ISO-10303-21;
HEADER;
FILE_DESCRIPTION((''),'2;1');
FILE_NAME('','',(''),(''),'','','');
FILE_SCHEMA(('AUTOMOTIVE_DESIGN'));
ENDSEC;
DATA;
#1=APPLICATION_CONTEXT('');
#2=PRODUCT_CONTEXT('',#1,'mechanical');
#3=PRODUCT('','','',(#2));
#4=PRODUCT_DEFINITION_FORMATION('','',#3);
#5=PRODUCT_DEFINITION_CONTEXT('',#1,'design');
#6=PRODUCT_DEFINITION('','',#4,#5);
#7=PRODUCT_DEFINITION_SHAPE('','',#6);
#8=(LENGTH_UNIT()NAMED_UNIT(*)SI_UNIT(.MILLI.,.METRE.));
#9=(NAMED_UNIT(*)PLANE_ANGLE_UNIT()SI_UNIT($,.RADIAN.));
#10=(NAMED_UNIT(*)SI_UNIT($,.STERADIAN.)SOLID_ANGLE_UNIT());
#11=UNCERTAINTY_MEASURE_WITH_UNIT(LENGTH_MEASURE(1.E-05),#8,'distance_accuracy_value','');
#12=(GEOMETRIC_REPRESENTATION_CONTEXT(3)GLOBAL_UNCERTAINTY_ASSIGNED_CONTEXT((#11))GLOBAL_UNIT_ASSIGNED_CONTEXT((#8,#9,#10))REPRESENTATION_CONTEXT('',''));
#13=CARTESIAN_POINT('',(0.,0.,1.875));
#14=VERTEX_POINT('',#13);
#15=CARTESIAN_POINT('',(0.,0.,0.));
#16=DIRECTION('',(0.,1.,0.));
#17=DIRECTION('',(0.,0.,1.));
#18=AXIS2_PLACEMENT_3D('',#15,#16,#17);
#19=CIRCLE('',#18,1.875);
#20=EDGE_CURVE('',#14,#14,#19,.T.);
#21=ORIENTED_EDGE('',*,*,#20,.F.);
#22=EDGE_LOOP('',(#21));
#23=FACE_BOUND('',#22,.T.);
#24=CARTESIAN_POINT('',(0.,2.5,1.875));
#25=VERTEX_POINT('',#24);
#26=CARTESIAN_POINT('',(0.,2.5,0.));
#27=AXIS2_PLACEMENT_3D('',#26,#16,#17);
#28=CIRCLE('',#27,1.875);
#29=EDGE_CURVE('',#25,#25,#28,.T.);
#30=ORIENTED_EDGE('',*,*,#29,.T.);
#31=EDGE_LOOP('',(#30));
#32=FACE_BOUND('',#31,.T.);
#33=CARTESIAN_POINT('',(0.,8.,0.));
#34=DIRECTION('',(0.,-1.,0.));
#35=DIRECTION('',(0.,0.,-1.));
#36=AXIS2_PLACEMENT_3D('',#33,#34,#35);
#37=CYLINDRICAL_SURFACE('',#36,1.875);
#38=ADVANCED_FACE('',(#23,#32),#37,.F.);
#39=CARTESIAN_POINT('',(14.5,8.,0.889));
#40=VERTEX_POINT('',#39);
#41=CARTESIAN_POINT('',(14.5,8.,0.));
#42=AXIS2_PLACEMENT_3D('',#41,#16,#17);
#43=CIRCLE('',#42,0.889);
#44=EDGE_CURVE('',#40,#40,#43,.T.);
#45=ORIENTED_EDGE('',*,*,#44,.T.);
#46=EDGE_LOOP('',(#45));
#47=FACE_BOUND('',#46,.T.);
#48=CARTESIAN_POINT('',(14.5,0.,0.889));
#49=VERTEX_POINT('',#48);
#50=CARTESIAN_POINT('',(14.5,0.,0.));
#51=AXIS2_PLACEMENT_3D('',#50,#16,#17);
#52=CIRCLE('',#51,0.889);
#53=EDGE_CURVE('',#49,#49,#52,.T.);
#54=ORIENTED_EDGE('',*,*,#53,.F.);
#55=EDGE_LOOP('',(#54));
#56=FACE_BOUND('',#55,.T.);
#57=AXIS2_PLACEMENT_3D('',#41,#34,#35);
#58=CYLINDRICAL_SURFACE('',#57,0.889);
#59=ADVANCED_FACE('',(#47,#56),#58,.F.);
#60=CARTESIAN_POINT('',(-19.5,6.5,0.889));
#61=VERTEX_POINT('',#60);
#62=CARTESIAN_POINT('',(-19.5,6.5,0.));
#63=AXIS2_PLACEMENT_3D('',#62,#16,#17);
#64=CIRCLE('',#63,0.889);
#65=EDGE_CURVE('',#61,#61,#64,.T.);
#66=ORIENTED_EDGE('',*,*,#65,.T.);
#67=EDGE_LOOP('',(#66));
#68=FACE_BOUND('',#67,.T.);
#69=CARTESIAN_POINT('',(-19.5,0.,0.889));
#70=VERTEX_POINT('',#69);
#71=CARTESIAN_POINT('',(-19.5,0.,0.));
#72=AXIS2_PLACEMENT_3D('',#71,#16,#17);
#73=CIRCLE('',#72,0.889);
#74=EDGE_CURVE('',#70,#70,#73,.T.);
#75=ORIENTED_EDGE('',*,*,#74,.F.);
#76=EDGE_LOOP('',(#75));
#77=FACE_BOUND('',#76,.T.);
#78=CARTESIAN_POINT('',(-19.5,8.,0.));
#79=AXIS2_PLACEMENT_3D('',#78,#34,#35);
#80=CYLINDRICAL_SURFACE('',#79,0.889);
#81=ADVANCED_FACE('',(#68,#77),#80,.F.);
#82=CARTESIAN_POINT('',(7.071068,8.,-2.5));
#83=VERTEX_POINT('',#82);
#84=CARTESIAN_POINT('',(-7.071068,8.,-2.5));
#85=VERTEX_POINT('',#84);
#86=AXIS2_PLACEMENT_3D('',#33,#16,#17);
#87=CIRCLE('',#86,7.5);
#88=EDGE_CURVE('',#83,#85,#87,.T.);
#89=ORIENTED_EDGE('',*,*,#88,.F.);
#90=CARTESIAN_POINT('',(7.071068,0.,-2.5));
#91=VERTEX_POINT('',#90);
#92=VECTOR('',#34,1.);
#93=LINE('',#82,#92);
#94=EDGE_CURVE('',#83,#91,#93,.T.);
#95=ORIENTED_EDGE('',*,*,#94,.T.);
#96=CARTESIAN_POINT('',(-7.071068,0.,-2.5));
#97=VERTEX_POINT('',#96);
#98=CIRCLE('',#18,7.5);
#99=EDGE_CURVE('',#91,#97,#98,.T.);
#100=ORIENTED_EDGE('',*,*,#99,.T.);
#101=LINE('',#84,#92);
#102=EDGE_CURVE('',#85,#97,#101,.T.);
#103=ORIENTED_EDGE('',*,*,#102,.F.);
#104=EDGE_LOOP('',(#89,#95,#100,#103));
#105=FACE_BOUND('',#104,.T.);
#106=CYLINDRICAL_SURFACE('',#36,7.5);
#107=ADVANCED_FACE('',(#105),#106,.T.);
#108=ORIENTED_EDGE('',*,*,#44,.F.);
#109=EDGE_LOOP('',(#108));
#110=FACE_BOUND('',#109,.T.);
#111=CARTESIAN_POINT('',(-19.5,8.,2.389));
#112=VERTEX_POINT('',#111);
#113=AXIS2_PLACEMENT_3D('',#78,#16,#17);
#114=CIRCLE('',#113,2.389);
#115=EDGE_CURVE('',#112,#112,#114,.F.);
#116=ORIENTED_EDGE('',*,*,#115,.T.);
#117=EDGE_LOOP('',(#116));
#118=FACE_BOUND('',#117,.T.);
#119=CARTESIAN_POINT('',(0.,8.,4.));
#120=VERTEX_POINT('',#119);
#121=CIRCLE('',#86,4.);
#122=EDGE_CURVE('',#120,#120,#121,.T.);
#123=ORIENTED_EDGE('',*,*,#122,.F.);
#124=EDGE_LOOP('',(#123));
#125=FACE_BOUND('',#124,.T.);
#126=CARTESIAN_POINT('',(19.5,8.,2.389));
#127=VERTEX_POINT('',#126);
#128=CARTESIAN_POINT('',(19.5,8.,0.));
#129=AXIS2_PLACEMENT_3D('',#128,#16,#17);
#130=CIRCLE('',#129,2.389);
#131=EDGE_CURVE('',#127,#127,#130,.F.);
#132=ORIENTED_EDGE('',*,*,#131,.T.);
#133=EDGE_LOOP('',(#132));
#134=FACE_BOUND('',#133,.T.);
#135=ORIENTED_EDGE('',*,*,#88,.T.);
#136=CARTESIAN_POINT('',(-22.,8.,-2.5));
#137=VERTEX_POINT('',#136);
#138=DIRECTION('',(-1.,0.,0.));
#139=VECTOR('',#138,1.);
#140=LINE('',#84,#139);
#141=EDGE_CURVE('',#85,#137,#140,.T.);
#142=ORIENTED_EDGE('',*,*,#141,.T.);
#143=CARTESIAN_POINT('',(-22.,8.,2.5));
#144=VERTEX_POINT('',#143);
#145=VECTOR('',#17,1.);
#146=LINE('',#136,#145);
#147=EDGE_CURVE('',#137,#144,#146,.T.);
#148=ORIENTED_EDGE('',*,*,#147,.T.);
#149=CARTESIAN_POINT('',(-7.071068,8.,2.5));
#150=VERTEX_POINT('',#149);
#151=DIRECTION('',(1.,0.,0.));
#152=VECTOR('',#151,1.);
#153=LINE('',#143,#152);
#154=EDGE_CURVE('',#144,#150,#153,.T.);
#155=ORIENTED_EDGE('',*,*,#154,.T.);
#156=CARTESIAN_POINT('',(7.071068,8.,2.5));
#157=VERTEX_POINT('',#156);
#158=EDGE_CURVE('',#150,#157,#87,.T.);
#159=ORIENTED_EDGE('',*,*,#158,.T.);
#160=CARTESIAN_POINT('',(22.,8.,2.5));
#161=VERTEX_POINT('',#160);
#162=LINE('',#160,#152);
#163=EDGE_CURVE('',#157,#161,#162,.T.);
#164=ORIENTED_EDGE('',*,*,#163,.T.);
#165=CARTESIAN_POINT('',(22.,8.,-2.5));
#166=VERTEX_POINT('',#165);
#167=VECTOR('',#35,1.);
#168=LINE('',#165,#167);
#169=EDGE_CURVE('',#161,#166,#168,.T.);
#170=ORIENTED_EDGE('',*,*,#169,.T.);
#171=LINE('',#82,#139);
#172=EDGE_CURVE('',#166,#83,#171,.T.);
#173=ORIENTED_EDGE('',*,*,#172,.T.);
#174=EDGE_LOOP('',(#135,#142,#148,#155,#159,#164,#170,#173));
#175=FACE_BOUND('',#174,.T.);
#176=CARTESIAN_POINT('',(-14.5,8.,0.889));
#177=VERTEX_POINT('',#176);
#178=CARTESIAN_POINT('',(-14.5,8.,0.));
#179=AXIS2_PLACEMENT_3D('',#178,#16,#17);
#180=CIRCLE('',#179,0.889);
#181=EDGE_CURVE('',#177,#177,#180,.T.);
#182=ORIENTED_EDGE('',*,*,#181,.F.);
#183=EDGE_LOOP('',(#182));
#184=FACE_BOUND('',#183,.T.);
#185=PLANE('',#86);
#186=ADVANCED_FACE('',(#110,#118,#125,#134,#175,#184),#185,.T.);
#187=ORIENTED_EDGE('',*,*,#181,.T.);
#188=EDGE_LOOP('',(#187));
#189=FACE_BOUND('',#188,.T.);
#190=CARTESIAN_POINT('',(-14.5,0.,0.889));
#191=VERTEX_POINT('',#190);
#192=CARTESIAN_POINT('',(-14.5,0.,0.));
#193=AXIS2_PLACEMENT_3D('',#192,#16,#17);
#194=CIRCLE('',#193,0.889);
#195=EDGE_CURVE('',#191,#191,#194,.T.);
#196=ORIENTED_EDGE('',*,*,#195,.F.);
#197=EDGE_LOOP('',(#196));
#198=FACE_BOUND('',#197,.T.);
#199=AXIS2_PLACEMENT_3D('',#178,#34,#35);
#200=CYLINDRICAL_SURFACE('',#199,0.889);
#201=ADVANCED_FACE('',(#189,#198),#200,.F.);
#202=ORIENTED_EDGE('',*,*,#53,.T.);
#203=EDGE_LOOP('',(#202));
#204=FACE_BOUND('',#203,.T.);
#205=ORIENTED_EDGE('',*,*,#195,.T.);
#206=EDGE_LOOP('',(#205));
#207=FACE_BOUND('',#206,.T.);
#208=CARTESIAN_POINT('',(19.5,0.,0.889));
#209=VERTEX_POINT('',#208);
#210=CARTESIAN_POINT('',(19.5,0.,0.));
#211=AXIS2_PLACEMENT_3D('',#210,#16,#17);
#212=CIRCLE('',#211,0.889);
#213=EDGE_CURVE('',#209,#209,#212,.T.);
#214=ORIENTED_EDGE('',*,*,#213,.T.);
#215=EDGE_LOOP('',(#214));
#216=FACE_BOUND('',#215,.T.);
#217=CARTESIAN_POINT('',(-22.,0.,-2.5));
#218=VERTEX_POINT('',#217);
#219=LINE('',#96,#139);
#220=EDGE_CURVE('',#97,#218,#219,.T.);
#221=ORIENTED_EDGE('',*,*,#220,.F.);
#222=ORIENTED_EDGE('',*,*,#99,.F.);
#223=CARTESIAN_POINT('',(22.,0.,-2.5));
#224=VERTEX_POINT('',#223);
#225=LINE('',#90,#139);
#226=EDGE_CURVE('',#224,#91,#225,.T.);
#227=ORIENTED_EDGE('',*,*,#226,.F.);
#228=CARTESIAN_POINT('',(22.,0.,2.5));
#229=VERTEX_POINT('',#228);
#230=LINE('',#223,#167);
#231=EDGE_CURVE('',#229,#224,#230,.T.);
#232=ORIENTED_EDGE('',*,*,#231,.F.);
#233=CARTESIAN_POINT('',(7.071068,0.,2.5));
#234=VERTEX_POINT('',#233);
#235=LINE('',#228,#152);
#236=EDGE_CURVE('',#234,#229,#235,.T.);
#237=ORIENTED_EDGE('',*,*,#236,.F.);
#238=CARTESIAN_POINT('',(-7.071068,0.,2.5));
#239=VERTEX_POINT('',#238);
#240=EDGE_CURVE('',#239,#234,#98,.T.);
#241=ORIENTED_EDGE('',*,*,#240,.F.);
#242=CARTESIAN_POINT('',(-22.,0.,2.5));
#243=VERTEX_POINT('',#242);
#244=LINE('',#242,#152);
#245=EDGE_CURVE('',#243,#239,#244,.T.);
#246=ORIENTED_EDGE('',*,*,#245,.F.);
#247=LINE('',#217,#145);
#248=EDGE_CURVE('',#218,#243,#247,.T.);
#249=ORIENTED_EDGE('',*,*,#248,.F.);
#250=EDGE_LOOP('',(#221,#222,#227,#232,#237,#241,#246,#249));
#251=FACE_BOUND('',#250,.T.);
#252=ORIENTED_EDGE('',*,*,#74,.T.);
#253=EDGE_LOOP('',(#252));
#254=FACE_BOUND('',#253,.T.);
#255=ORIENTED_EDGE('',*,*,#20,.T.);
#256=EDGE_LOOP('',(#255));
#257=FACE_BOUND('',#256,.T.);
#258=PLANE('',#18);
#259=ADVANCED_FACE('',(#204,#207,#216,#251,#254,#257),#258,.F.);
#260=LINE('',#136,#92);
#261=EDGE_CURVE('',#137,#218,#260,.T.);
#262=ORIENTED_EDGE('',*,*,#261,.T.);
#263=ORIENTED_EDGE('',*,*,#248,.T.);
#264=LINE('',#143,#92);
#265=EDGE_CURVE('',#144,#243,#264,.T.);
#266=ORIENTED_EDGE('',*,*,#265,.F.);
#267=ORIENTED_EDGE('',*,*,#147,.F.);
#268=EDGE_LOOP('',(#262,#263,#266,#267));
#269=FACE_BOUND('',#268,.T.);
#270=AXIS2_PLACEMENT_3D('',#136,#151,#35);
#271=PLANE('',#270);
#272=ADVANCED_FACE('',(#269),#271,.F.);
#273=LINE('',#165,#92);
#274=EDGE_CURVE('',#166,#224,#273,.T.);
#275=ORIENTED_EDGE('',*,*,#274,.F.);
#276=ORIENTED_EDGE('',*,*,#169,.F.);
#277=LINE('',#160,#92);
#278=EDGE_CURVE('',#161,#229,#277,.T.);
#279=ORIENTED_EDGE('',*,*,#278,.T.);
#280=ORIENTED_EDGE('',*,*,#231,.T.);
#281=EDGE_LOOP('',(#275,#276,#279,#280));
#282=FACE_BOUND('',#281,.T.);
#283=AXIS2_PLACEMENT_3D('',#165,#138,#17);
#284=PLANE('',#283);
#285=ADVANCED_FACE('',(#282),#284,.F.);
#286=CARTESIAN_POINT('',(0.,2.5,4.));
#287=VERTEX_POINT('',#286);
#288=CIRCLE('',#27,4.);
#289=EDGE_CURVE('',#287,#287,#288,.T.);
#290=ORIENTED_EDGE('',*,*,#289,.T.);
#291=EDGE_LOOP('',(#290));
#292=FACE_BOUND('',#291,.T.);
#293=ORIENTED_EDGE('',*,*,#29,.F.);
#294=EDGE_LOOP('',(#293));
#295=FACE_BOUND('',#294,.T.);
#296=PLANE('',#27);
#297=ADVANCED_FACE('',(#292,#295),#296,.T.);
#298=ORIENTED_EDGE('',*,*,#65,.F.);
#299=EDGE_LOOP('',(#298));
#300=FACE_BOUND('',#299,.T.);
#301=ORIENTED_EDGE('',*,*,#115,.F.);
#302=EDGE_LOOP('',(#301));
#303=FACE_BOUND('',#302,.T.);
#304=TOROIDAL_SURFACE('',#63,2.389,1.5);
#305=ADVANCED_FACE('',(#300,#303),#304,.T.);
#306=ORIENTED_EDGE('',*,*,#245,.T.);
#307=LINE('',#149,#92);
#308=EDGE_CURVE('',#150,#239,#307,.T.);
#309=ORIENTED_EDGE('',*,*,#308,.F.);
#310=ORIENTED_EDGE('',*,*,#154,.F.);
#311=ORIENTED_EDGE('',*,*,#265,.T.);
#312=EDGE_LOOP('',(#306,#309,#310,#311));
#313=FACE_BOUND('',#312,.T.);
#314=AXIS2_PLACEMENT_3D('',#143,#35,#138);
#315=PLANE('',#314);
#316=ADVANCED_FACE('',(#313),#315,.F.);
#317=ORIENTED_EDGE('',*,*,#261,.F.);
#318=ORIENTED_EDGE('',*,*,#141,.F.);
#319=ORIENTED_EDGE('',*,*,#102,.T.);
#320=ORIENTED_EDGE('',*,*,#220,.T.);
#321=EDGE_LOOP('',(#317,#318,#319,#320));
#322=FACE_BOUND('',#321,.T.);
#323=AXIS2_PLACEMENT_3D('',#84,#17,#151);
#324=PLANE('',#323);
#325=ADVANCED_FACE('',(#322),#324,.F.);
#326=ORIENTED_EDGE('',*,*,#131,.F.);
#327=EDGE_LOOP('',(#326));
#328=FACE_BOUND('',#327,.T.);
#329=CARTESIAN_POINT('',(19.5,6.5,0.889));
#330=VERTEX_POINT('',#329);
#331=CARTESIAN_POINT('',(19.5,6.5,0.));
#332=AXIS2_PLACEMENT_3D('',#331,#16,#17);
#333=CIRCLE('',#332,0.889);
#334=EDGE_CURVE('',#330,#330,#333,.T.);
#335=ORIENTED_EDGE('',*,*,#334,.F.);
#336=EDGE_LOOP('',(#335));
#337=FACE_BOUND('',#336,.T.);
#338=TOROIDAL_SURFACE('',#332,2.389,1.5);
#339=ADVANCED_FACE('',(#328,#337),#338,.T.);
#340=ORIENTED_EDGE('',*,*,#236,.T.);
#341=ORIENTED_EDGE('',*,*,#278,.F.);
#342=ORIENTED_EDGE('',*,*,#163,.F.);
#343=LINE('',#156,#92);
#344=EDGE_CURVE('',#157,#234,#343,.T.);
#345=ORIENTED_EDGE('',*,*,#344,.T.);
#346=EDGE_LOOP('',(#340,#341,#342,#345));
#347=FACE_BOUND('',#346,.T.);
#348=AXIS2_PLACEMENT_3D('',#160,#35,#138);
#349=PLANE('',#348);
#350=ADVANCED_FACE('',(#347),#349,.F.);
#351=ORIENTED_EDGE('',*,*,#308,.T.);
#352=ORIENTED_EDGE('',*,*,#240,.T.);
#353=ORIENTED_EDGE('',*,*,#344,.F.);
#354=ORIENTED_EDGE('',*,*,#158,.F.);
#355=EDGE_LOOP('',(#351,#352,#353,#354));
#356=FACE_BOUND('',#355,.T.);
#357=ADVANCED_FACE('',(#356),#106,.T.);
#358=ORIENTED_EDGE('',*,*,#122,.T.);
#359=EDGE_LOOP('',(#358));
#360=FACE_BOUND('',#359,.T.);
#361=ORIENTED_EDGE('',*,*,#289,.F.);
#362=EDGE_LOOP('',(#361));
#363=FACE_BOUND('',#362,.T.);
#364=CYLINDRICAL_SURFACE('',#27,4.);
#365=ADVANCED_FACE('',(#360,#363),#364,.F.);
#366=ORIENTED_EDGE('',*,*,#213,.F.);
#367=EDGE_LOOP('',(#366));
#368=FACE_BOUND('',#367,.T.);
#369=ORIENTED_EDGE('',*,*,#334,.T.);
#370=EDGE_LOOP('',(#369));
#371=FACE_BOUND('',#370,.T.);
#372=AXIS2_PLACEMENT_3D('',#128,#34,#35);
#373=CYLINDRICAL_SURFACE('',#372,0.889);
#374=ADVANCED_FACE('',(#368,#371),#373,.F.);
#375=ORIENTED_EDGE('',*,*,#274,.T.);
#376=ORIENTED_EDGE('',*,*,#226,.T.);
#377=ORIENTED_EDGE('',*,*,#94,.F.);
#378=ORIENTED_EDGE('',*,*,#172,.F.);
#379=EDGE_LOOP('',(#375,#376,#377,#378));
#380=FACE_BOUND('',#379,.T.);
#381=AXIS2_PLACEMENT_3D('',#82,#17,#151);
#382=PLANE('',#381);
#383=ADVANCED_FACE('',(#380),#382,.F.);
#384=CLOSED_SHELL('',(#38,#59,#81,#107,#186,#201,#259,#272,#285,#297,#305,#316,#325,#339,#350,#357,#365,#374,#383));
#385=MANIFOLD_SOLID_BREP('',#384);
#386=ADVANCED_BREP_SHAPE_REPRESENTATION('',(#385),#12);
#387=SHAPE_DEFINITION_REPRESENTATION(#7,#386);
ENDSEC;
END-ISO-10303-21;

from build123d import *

# Parameters (mm, degrees)
SKETCH1_R           = 0.889
SKETCH1_R_2         = 1.875
BOSS_EXTRUDE1_DEPTH = 8
SKETCH2_R           = 4
CUT_EXTRUDE1_DEPTH  = 5.5
FILLET1_R           = 1.5


with BuildPart() as part:
    # Sketch1 → Boss-Extrude1 (new body)
    with BuildSketch(Plane(origin=(0, 0, 0), x_dir=(1, 0, 0), z_dir=(0, 1, 0))):
        with BuildLine():
            Line((-7.071067812, 2.5), (-22, 2.5))
            Line((-22, 2.5), (-22, -2.5))
            Line((-22, -2.5), (-7.071067812, -2.5))
            ThreePointArc((-7.071067812, -2.5), (0, -7.5), (7.071067812, -2.5))
            Line((7.071067812, -2.5), (22, -2.5))
            Line((22, -2.5), (22, 2.5))
            Line((22, 2.5), (7.071067812, 2.5))
            ThreePointArc((7.071067812, 2.5), (0, 7.5), (-7.071067812, 2.5))
        make_face()
        with Locations(Location((-19.5, 0, 0), (0, 0, 270))):
            Circle(SKETCH1_R, mode=Mode.SUBTRACT)
        with Locations(Location((0, 0, 0), (0, 0, 270))):
            Circle(SKETCH1_R_2, mode=Mode.SUBTRACT)
        with Locations(Location((19.5, 0, 0), (0, 0, 270))):
            Circle(SKETCH1_R, mode=Mode.SUBTRACT)
        with Locations(Location((-14.5, 0, 0), (0, 0, 270))):
            Circle(SKETCH1_R, mode=Mode.SUBTRACT)
        with Locations(Location((14.5, 0, 0), (0, 0, 270))):
            Circle(SKETCH1_R, mode=Mode.SUBTRACT)
    extrude(amount=BOSS_EXTRUDE1_DEPTH)

    # Sketch2 → Cut-Extrude1 (cut)
    with BuildSketch(Plane(origin=(0, 8, 0), x_dir=(1, 0, 0), z_dir=(0, 1, 0))):
        with Locations(Location((0, 0, 0), (0, 0, 270))):
            Circle(SKETCH2_R)
    extrude(amount=-CUT_EXTRUDE1_DEPTH, mode=Mode.SUBTRACT)

    # Fillet1
    fillet1_edges = [part.edges().sort_by_distance(p)[0] for p in [
        (-19.5, 8, -0.889),
        (19.5, 8, -0.889),
    ]]
    fillet(fillet1_edges, radius=FILLET1_R)


solid = part.part
